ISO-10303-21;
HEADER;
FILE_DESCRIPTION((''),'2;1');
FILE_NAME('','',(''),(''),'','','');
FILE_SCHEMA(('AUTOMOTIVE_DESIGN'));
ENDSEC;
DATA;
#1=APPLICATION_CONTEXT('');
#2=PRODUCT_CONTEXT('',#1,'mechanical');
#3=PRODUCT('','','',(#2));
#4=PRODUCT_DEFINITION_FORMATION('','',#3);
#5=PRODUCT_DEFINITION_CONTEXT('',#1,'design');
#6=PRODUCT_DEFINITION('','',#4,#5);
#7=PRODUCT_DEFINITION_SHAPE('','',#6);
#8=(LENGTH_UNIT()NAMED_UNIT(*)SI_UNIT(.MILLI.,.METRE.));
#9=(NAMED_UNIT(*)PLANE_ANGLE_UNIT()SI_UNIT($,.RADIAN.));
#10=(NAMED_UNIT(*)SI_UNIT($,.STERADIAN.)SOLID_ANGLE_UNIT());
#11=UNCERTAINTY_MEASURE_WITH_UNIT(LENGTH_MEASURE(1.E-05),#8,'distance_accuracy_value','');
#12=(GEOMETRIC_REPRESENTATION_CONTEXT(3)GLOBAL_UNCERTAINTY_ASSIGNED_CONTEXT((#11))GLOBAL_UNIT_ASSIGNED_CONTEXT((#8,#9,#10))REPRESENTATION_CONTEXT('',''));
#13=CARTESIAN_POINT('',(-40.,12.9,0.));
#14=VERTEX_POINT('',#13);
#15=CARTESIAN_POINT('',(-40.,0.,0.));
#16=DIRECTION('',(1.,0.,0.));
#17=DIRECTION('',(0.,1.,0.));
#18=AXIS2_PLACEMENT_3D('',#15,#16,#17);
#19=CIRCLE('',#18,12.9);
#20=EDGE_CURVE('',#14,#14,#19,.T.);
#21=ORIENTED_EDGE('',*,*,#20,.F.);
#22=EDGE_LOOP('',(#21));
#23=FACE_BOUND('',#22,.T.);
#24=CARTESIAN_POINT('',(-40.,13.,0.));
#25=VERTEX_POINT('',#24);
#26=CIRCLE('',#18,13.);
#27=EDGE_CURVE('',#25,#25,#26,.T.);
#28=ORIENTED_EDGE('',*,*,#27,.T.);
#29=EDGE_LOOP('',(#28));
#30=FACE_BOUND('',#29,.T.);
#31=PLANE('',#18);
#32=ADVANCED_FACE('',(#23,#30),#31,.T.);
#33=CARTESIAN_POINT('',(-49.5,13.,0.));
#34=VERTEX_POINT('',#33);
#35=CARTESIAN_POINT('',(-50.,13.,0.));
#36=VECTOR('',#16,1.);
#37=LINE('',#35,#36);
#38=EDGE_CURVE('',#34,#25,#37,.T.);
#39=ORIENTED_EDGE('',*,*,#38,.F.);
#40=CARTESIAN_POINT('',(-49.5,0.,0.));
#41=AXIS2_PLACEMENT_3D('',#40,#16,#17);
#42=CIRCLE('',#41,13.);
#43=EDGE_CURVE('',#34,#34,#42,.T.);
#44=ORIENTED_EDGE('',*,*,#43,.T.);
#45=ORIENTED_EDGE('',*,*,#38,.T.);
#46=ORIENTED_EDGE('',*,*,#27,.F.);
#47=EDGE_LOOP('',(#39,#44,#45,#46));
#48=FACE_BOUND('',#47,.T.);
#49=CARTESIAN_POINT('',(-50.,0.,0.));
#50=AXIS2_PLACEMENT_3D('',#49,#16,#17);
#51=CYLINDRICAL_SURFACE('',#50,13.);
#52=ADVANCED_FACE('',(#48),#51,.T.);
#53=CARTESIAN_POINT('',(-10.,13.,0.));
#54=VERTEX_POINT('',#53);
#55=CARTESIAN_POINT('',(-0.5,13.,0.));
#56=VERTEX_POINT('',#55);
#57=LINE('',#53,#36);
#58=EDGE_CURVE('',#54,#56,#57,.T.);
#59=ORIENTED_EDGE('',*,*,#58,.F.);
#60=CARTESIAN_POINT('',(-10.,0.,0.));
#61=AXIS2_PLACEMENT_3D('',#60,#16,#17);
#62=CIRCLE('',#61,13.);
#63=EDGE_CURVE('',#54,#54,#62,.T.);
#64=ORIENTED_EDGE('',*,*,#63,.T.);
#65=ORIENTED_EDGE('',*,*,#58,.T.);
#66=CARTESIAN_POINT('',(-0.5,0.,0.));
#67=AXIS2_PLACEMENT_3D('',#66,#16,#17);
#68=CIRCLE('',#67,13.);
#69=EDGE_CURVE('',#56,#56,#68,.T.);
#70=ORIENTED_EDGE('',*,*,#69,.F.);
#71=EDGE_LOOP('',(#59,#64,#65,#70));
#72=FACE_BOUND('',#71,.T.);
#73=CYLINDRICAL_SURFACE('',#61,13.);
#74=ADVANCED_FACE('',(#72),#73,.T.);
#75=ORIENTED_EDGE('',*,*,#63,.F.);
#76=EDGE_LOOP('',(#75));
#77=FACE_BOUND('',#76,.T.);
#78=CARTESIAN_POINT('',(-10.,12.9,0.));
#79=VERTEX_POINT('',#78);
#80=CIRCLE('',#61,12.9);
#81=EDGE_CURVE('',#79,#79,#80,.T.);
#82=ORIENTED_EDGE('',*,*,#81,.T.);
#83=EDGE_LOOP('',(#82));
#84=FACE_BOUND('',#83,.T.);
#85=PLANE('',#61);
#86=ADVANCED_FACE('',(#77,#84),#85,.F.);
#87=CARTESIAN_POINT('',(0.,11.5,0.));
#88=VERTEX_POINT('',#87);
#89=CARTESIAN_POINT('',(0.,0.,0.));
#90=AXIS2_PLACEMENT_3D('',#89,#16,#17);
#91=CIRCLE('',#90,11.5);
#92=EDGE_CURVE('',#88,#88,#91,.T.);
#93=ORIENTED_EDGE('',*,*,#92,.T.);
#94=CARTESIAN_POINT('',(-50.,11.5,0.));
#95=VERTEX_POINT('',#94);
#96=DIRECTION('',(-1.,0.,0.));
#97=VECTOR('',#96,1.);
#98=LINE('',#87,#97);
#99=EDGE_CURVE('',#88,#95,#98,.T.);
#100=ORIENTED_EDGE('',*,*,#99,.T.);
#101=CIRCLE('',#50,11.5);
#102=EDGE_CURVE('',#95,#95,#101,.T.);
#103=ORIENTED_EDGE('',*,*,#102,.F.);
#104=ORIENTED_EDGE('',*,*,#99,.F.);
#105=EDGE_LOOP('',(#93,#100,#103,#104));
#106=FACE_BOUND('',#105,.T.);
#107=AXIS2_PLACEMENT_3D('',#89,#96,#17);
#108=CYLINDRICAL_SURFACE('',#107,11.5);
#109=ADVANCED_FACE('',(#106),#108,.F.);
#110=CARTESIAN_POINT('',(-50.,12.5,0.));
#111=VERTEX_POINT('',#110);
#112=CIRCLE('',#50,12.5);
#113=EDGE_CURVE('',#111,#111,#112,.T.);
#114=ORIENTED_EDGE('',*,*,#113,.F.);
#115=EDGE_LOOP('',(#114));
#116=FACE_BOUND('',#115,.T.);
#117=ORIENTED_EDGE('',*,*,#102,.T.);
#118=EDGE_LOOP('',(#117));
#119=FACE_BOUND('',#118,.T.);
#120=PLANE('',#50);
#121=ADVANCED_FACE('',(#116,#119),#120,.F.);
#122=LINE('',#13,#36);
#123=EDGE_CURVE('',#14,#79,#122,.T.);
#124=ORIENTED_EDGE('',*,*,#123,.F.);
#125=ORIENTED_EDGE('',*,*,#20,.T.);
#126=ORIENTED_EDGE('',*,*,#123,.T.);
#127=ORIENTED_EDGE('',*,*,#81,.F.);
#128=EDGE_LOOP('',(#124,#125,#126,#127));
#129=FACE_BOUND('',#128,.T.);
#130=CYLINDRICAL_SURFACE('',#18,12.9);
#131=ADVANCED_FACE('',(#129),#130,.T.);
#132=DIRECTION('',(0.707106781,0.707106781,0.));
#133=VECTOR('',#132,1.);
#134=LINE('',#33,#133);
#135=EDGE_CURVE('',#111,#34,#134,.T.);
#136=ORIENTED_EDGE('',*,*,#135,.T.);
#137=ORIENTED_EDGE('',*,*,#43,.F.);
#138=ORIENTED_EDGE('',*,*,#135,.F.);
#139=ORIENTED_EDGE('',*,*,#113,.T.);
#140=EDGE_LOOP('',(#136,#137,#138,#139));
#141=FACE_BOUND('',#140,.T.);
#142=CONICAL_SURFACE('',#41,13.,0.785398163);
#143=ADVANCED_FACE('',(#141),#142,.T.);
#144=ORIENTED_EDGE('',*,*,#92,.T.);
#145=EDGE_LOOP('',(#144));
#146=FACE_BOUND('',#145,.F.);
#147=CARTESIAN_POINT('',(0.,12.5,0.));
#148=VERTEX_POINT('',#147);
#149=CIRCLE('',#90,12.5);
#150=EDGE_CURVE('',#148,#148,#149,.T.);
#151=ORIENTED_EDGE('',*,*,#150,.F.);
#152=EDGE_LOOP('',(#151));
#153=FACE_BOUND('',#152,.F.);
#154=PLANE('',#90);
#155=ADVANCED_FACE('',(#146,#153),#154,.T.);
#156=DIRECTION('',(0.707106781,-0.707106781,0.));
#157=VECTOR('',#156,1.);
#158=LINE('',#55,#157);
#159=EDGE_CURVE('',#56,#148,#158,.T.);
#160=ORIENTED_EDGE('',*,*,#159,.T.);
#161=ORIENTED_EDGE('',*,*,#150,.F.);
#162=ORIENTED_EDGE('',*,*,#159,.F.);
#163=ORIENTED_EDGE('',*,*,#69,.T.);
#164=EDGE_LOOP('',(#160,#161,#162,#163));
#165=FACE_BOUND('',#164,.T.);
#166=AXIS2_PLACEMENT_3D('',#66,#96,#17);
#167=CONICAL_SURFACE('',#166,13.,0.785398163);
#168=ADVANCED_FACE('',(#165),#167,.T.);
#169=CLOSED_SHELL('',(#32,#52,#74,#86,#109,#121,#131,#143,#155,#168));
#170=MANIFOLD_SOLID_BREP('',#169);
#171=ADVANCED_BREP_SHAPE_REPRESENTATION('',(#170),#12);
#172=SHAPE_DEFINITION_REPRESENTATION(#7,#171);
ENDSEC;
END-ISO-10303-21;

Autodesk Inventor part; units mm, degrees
ref_plane "YZ Plane" through (0, 0, 0) normal (1, 0, 0) x (0, 1, 0)
ref_plane "XZ Plane" through (0, 0, 0) normal (0, 1, 0) x (-1, 0, 0)
ref_plane "XY Plane" through (0, 0, 0) normal (0, 0, 1) x (1, 0, 0)
sketch "Skizze1" plane through (0, 0, 0) normal (0, 0, 1) x (1, 0, 0)
  line L0 (-60, 0) -> (10, 0) projected
  line L1 (0, -2.6) -> (0, 15.6) projected
  line L2 (0, 11.5) -> (-50, 11.5)
  line L3 (-50, 11.5) -> (-50, 13)
  line L4 (-50, 13) -> (-40, 13)
  line L5 (-40, 13) -> (-40, 12.9)
  line L6 (-40, 12.9) -> (-10, 12.9)
  line L7 (-10, 12.9) -> (-10, 13)
  line L8 (-10, 13) -> (0, 13)
  line L9 (0, 11.5) -> (0, 13)
  point P0 (0, 0)
  dimension "d1" = 23
  dimension "d2" = 26
  dimension "d4" = 50
  dimension "d5" = 10
  dimension "d6" = 10
  dimension "d11" = 0.1
revolve "Umdrehung1" add sketch "Skizze1" angle 360 about axis through (-10, 0, 0) along (1, 0, 0)
chamfer "Fase1" distance 0.5 angle 45 2 edges at (0, -13, 0) (-50, -13, 0)
properties part number "13_0204_037"
